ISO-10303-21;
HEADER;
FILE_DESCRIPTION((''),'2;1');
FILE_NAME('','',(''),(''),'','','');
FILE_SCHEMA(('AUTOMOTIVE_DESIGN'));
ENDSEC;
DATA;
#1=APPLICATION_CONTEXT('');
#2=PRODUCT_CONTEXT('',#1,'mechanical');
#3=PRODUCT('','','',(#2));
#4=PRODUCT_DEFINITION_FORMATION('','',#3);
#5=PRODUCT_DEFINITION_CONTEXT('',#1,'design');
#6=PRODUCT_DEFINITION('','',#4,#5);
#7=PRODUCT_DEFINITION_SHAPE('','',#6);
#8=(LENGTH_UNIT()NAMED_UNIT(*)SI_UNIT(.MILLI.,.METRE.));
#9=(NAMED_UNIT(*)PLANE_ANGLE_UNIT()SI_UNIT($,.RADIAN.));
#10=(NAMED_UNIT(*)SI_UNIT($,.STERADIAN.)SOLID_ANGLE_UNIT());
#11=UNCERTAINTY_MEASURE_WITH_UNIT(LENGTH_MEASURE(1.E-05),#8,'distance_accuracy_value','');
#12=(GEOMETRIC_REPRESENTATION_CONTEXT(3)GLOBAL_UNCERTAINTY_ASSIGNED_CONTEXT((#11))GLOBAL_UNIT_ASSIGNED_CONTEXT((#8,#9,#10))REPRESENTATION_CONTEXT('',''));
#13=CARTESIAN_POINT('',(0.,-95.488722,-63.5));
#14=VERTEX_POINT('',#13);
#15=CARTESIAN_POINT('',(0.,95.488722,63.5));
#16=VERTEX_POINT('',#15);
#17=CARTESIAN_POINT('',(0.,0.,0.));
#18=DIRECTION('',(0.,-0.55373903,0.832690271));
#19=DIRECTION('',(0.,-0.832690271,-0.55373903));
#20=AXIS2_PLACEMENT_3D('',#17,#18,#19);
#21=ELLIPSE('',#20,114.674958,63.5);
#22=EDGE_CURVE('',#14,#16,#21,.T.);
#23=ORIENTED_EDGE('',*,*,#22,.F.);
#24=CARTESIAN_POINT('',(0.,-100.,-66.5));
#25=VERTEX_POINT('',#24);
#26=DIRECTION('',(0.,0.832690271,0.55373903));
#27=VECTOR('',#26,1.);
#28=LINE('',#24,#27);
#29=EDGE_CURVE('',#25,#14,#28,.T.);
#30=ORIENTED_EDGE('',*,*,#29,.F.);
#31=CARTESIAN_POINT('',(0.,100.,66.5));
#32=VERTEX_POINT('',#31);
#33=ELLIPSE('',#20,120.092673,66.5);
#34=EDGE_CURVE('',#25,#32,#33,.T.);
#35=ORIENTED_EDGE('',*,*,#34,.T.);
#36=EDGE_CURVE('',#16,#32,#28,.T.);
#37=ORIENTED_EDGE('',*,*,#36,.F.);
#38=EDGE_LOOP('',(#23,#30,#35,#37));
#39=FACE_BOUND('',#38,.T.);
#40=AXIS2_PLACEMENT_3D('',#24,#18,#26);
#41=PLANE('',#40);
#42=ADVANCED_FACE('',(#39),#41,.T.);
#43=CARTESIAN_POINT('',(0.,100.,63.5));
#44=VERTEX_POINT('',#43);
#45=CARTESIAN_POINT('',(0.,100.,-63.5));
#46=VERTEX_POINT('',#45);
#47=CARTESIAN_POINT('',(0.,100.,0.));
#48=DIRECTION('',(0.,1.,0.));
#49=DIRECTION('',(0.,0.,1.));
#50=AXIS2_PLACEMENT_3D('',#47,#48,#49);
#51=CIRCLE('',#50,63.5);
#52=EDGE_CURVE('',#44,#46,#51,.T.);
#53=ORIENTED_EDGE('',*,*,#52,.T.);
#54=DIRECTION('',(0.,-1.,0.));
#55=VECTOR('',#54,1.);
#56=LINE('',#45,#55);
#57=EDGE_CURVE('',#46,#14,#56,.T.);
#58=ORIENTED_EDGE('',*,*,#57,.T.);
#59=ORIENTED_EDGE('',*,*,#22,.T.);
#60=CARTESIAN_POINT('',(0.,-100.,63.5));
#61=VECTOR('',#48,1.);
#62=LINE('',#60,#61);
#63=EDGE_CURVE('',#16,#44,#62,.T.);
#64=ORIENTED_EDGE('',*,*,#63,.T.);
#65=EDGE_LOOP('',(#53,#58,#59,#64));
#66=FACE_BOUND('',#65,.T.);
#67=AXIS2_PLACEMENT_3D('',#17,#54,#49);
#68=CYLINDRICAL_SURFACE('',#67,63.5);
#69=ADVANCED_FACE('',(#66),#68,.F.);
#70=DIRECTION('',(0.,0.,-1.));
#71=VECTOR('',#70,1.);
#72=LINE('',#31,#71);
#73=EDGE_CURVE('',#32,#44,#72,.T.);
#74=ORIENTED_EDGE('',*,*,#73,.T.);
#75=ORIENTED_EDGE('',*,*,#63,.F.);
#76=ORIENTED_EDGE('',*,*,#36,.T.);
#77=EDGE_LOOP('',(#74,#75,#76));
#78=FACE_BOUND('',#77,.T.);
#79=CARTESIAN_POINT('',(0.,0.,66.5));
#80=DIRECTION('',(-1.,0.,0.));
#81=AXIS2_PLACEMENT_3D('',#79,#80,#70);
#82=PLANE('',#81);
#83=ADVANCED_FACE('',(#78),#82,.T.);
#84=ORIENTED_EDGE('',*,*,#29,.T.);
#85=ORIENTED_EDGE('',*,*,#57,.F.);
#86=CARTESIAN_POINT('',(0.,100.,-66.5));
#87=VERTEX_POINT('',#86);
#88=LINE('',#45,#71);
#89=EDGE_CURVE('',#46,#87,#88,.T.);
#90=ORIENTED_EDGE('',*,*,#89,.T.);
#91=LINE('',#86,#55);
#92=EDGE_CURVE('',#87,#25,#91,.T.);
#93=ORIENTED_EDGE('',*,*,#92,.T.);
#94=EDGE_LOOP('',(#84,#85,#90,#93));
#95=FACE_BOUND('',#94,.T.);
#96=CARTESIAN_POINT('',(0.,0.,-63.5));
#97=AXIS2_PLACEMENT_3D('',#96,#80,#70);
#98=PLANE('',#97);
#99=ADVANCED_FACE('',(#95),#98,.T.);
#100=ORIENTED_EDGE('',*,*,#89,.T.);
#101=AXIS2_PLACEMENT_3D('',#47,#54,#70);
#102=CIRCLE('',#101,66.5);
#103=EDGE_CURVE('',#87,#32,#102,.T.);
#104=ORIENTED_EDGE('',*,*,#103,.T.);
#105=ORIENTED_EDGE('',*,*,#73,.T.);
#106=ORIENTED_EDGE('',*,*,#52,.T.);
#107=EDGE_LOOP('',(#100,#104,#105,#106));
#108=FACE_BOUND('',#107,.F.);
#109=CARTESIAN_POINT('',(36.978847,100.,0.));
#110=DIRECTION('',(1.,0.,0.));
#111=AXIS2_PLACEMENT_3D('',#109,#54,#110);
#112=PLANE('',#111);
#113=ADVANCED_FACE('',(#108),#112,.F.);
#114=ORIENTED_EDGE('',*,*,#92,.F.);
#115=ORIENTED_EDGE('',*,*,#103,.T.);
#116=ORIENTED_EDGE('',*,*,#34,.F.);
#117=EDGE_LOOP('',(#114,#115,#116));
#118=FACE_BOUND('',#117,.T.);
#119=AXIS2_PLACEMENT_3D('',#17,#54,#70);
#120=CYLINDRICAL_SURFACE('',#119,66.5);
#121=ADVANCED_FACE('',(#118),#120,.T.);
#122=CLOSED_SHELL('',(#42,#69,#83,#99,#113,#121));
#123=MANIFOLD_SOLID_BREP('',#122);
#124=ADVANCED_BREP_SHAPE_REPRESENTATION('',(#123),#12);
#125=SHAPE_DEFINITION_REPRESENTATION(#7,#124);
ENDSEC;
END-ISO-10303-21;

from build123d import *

# Parameters (mm, degrees)
F1_DEPTH = 100
F3_DEPTH = 66.501


with BuildPart() as f1:
    # F0 (on Front) → F1 (new body, symmetric)
    with BuildSketch(Plane.XZ):
        with BuildLine():
            ThreePointArc((0, 63.5), (63.5, 0), (0, -63.5))
            Line((0, -63.5), (0, -66.5))
            ThreePointArc((0, -66.5), (66.5, 0), (0, 66.5))
            Line((0, 66.5), (0, 63.5))
        make_face()
    extrude(amount=F1_DEPTH, both=True)

    # F2 (on Right) → F3 (cut, through all)
    with BuildSketch(Plane.YZ):
        Polygon((-100, 78.440242), (-100, -66.5), (100, 66.5), (100, 78.440242), align=None)
    extrude(amount=F3_DEPTH, mode=Mode.SUBTRACT)


solid = f1.part
